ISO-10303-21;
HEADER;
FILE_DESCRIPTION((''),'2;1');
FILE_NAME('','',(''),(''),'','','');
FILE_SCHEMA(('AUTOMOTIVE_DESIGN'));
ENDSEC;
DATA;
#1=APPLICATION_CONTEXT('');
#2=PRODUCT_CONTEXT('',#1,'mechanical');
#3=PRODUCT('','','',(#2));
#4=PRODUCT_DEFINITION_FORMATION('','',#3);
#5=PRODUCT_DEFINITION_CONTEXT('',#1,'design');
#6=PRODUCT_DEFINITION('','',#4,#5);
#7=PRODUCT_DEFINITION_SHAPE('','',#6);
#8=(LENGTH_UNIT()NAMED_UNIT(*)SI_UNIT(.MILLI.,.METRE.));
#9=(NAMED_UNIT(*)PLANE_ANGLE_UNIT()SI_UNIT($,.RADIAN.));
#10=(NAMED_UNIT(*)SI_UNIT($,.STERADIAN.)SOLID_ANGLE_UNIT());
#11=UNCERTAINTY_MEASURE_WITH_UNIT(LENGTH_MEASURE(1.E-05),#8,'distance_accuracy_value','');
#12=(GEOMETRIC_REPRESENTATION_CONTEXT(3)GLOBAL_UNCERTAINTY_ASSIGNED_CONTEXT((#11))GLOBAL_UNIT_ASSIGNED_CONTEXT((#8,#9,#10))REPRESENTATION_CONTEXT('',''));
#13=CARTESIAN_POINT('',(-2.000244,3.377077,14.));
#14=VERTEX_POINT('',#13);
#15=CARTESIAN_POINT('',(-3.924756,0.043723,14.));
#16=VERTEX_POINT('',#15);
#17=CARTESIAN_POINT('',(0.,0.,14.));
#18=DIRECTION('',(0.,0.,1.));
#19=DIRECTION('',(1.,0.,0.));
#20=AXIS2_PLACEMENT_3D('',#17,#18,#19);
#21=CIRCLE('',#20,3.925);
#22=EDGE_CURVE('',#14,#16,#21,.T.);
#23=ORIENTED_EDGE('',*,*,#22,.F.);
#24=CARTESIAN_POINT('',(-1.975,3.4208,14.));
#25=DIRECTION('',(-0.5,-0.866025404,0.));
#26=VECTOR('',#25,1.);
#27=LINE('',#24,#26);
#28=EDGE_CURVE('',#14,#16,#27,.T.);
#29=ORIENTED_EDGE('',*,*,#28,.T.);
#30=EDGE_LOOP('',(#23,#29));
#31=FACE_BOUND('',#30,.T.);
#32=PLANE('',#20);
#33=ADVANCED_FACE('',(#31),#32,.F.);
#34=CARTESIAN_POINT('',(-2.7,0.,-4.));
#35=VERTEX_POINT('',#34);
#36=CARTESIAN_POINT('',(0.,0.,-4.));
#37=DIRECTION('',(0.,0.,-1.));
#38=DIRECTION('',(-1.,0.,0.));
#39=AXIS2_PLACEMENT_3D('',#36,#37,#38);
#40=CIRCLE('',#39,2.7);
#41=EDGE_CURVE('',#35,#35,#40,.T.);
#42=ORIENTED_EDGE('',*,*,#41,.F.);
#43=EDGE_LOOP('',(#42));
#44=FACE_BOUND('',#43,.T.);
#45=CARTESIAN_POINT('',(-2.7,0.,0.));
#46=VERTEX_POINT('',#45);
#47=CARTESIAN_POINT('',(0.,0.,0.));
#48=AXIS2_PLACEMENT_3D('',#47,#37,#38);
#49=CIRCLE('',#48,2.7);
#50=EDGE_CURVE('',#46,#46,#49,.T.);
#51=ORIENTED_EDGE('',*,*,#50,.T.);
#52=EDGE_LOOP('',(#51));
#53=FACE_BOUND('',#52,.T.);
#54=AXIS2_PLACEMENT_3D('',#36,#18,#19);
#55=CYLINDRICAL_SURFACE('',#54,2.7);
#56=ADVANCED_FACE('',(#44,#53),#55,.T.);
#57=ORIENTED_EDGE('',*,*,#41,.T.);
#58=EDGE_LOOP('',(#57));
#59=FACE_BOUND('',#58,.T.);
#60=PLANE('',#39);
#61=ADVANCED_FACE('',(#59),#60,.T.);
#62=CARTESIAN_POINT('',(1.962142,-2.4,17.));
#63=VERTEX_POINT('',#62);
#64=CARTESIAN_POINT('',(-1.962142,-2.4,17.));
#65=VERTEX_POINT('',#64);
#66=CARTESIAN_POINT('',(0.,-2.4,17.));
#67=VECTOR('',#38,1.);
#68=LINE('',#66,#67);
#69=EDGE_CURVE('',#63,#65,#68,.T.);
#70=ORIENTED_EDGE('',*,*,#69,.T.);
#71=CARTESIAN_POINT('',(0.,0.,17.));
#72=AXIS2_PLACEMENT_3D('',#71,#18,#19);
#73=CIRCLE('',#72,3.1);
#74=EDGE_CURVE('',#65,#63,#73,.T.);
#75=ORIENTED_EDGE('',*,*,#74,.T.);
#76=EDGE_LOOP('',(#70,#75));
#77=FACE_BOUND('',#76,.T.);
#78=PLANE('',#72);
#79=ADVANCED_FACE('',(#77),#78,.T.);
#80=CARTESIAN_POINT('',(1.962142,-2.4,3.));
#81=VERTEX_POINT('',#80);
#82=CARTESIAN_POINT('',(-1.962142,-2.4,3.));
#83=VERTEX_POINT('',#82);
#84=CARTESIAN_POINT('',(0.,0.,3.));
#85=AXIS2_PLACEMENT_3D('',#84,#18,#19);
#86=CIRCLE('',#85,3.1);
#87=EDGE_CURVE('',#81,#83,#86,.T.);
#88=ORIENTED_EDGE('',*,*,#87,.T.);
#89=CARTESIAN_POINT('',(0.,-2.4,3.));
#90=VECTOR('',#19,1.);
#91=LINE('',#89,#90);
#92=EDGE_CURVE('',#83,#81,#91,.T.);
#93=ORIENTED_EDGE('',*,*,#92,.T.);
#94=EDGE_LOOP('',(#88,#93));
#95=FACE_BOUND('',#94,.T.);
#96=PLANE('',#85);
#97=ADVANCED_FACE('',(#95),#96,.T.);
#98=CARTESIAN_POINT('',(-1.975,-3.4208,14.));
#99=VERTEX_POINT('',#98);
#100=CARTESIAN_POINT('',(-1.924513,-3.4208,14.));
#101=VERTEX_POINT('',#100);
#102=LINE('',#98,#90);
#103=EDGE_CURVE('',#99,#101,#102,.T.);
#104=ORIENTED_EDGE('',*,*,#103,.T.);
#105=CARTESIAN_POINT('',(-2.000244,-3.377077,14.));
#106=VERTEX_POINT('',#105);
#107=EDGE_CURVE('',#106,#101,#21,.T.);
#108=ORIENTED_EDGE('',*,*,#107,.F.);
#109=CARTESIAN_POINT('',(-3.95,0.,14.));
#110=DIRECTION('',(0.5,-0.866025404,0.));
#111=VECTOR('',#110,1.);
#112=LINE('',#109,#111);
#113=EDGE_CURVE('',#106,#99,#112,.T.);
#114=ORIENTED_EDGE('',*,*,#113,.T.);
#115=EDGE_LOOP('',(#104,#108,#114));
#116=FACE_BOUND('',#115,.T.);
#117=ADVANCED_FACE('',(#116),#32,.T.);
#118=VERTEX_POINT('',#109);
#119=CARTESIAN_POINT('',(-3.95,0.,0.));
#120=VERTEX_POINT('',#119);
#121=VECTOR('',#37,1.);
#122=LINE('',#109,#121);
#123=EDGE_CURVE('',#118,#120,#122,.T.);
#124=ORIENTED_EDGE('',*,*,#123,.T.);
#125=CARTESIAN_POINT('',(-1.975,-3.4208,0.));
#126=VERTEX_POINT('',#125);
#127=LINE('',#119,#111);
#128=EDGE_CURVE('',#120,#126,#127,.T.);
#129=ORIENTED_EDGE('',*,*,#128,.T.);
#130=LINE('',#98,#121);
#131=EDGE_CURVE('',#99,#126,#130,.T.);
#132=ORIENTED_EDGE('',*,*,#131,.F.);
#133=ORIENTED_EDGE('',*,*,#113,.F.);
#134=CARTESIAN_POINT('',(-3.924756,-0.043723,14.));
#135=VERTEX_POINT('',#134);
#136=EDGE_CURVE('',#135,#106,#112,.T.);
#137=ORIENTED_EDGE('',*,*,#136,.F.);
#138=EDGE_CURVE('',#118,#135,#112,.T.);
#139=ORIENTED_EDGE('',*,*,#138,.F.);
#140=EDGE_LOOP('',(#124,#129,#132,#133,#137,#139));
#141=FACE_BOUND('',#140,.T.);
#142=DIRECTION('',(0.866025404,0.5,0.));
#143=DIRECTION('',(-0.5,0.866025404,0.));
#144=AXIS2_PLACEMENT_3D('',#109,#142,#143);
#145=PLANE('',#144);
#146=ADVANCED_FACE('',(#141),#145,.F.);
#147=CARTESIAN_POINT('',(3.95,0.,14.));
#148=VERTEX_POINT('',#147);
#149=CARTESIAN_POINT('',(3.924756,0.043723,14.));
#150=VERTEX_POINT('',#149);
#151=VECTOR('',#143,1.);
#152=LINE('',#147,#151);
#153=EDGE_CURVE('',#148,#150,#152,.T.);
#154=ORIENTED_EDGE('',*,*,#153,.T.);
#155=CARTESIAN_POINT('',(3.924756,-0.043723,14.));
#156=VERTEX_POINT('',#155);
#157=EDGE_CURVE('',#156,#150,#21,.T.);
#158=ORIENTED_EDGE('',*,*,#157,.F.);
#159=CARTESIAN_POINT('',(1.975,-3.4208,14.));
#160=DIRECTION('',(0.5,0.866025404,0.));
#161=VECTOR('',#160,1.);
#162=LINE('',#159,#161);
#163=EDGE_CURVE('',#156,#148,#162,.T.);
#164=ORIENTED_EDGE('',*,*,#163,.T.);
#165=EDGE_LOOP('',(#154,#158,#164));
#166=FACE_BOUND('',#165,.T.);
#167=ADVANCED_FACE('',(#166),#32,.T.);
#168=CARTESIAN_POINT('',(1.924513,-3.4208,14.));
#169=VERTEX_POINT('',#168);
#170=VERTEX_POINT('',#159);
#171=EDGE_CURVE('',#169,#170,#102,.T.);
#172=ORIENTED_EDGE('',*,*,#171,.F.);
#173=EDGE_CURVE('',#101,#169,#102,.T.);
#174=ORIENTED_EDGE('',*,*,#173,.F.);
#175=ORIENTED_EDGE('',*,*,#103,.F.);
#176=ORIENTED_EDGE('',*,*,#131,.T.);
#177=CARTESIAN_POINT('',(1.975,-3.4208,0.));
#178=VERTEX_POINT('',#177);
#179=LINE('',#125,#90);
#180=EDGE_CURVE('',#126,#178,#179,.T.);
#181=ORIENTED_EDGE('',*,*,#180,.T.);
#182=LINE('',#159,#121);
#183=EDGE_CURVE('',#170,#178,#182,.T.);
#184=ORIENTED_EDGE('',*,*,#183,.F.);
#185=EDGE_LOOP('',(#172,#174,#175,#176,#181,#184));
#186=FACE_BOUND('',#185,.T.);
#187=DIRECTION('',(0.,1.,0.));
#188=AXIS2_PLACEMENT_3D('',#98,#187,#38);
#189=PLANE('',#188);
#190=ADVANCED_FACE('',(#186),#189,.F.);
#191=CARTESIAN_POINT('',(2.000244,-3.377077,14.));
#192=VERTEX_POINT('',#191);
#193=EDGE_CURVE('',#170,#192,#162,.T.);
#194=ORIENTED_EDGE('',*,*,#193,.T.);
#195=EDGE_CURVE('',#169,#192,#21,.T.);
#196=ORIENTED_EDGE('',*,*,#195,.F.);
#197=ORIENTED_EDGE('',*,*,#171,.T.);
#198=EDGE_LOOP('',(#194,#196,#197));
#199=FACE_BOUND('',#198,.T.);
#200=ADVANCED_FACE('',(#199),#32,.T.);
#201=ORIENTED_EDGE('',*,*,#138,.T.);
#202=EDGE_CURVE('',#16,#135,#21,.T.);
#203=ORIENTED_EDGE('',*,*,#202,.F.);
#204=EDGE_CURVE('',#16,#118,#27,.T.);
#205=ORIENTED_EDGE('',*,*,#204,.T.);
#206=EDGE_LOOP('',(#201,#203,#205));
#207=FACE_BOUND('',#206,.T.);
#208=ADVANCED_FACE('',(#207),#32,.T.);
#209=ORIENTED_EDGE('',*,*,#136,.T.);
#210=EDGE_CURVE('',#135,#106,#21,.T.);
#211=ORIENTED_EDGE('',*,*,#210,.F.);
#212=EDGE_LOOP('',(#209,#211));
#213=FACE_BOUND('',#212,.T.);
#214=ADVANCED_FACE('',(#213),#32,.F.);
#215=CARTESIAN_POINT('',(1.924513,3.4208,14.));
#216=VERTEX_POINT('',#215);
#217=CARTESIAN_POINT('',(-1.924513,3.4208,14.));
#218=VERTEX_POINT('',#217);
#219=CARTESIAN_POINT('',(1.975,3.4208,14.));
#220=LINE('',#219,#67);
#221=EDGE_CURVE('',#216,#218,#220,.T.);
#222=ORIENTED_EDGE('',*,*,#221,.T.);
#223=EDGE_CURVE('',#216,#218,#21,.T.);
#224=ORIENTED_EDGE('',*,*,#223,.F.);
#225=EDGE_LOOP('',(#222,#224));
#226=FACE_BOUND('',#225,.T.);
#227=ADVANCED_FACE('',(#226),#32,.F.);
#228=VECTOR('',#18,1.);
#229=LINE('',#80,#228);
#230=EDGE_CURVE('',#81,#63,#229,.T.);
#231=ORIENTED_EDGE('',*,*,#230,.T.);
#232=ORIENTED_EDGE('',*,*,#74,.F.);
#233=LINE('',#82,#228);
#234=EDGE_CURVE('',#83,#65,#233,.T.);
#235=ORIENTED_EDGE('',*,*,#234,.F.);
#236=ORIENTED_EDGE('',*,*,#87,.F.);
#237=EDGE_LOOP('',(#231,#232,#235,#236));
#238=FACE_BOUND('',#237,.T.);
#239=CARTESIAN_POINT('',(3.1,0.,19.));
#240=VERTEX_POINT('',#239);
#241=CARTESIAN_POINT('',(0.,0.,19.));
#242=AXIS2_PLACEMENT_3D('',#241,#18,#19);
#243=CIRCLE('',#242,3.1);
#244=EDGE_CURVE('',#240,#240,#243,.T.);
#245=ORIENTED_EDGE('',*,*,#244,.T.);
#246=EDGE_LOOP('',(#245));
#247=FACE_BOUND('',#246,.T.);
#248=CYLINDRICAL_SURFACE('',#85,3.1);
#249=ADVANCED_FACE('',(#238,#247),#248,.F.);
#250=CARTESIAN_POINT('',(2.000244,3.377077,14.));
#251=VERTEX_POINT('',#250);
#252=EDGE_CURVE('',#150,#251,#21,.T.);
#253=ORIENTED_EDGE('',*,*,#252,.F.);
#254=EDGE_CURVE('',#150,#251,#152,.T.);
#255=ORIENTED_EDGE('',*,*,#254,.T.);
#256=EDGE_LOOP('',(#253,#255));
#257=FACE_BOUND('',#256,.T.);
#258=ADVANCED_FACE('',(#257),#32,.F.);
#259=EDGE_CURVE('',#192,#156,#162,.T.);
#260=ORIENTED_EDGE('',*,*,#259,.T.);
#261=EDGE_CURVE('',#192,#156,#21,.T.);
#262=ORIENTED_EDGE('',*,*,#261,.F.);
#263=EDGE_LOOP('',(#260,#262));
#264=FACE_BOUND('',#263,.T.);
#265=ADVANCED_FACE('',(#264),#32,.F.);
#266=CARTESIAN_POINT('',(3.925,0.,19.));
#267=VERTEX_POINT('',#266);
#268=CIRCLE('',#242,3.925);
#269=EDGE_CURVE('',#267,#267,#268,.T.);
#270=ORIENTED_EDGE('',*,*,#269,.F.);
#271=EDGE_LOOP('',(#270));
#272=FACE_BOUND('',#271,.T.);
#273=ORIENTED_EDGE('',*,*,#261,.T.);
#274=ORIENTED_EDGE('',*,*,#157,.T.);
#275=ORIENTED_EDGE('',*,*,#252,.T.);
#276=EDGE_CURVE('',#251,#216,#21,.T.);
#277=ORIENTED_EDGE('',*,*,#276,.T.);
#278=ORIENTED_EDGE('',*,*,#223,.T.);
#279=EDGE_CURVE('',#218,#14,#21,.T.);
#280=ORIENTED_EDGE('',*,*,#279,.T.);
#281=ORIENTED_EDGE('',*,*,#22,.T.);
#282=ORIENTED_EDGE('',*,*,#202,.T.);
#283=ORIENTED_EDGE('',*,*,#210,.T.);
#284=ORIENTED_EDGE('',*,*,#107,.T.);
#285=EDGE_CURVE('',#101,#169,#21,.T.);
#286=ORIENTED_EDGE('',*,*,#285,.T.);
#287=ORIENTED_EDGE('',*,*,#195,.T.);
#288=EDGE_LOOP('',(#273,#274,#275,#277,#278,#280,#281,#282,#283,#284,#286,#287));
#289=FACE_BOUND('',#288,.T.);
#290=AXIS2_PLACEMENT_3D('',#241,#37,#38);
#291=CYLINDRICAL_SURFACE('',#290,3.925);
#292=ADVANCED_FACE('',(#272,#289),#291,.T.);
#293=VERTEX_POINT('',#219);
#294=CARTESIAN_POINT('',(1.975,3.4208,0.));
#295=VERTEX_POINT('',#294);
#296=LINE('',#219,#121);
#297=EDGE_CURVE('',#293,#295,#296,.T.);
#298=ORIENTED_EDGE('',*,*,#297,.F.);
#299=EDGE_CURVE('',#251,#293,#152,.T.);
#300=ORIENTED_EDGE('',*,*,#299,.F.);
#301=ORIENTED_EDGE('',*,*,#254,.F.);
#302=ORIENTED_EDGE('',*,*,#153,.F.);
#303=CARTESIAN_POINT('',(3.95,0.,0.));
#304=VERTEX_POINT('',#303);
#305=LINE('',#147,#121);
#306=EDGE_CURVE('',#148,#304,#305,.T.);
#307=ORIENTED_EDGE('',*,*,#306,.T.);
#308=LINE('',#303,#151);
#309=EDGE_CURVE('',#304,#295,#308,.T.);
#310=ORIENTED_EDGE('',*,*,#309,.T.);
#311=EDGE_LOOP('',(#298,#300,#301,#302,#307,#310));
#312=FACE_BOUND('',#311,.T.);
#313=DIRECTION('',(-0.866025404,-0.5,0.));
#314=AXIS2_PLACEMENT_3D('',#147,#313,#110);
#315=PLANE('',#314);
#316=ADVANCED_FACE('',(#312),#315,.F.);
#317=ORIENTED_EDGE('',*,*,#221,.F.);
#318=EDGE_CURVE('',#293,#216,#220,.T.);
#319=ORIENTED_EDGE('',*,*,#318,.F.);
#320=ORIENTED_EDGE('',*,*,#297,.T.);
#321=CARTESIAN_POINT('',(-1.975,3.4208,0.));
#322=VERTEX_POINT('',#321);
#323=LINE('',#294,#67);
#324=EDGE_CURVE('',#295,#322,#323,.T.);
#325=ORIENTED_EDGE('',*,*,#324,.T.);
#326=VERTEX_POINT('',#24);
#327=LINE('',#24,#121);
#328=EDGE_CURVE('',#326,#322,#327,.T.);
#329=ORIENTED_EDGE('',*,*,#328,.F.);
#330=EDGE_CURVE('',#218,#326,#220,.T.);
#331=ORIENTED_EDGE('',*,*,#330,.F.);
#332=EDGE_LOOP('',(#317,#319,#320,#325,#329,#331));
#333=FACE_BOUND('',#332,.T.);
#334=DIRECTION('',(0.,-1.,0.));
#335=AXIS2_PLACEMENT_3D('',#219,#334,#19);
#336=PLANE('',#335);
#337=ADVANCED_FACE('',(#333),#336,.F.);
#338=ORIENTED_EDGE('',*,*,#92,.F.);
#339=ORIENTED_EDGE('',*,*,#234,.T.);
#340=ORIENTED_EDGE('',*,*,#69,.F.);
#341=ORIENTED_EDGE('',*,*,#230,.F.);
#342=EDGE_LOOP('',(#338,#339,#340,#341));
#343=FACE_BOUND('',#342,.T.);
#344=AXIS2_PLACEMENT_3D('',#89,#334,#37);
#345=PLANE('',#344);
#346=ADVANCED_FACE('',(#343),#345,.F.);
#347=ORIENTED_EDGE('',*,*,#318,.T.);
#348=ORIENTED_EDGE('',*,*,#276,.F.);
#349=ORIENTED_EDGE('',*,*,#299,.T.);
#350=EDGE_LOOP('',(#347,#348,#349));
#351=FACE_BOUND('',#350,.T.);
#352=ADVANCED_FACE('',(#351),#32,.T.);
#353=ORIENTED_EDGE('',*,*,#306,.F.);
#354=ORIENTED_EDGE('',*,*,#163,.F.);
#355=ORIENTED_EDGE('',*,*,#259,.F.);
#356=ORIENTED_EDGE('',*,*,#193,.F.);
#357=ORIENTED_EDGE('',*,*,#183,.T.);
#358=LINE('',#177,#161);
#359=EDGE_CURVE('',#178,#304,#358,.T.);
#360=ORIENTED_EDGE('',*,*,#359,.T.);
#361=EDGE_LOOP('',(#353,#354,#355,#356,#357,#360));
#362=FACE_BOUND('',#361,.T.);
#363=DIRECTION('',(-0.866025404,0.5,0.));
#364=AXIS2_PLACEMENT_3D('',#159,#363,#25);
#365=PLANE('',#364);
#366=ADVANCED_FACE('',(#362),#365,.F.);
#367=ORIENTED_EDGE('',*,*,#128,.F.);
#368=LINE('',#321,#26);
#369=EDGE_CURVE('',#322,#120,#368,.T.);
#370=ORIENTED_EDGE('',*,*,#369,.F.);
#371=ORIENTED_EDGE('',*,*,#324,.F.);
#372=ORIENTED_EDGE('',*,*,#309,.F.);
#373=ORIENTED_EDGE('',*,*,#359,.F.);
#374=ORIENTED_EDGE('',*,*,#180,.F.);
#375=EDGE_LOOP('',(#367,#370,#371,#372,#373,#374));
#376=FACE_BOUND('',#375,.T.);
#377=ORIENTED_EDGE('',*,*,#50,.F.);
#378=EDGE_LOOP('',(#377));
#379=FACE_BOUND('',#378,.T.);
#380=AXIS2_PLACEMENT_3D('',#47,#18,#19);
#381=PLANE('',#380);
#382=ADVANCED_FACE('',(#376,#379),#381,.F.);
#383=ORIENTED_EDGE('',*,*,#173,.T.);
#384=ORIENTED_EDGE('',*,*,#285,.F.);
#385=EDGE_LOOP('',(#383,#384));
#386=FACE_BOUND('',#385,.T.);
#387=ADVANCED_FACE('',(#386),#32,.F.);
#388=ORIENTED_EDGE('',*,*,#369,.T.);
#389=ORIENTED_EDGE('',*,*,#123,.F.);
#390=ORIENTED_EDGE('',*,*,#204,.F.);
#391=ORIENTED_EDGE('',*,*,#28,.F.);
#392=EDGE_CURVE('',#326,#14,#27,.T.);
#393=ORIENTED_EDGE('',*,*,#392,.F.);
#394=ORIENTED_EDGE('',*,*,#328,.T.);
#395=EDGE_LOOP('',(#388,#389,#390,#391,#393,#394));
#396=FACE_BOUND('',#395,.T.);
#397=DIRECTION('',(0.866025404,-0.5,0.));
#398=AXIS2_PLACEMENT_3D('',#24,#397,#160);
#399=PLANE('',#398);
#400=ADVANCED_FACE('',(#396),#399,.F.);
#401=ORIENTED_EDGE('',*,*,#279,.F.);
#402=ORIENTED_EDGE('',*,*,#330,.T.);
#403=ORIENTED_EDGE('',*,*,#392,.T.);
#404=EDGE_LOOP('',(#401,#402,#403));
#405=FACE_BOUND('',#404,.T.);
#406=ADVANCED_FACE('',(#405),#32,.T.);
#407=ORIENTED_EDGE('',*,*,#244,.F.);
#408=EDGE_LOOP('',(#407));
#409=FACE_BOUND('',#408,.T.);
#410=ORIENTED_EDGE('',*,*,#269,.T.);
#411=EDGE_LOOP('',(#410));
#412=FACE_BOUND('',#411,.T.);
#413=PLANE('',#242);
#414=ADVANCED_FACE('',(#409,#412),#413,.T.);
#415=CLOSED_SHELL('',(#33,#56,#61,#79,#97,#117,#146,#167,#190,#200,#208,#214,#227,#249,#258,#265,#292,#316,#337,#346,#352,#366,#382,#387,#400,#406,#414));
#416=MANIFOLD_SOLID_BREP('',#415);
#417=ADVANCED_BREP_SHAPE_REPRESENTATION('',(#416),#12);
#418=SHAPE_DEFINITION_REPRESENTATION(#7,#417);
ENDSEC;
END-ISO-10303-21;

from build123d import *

# Parameters (mm, degrees)
BOSS_EXTRUDE1_DEPTH = 14
SKETCH2_R           = 3.925
BOSS_EXTRUDE2_DEPTH = 5
SKETCH3_R           = 2.7
BOSS_EXTRUDE3_DEPTH = 4
CUT_EXTRUDE1_DEPTH  = 16
SKETCH5_R           = 3.1
CUT_EXTRUDE2_DEPTH  = 2


with BuildPart() as part:
    # Sketch1 → Boss-Extrude1 (new body)
    with BuildSketch(Plane.XY):
        Polygon((3.95, 0), (1.975, 3.420800345), (-1.975, 3.420800345), (-3.95, 0), (-1.975, -3.420800345), (1.975, -3.420800345), align=None)
    extrude(amount=BOSS_EXTRUDE1_DEPTH)

    # Sketch2 → Boss-Extrude2 (add)
    with BuildSketch(Plane.XY.offset(14)):
        with Locations(Location((0, 0, 0), (0, 0, 180.63826759))):
            Circle(SKETCH2_R)
    extrude(amount=BOSS_EXTRUDE2_DEPTH)

    # Sketch3 → Boss-Extrude3 (add)
    with BuildSketch(Plane(origin=(0, 0, 0), x_dir=(-1, 0, 0), z_dir=(0, 0, -1))):
        Circle(SKETCH3_R)
    extrude(amount=BOSS_EXTRUDE3_DEPTH)

    # Sketch4 → Cut-Extrude1 (cut)
    with BuildSketch(Plane.XY.offset(19)):
        with BuildLine():
            ThreePointArc((3.1, 0), (-1.328036289, 2.801128275), (-1.962141687, -2.4))
            Line((-1.962141687, -2.4), (1.962141687, -2.4))
            ThreePointArc((1.962141687, -2.4), (2.801128275, -1.328036289), (3.1, 0))
        make_face()
    extrude(amount=-CUT_EXTRUDE1_DEPTH, mode=Mode.SUBTRACT)

    # Sketch5 → Cut-Extrude2 (cut)
    with BuildSketch(Plane.XY.offset(19)):
        Circle(SKETCH5_R)
    extrude(amount=-CUT_EXTRUDE2_DEPTH, mode=Mode.SUBTRACT)


solid = part.part
